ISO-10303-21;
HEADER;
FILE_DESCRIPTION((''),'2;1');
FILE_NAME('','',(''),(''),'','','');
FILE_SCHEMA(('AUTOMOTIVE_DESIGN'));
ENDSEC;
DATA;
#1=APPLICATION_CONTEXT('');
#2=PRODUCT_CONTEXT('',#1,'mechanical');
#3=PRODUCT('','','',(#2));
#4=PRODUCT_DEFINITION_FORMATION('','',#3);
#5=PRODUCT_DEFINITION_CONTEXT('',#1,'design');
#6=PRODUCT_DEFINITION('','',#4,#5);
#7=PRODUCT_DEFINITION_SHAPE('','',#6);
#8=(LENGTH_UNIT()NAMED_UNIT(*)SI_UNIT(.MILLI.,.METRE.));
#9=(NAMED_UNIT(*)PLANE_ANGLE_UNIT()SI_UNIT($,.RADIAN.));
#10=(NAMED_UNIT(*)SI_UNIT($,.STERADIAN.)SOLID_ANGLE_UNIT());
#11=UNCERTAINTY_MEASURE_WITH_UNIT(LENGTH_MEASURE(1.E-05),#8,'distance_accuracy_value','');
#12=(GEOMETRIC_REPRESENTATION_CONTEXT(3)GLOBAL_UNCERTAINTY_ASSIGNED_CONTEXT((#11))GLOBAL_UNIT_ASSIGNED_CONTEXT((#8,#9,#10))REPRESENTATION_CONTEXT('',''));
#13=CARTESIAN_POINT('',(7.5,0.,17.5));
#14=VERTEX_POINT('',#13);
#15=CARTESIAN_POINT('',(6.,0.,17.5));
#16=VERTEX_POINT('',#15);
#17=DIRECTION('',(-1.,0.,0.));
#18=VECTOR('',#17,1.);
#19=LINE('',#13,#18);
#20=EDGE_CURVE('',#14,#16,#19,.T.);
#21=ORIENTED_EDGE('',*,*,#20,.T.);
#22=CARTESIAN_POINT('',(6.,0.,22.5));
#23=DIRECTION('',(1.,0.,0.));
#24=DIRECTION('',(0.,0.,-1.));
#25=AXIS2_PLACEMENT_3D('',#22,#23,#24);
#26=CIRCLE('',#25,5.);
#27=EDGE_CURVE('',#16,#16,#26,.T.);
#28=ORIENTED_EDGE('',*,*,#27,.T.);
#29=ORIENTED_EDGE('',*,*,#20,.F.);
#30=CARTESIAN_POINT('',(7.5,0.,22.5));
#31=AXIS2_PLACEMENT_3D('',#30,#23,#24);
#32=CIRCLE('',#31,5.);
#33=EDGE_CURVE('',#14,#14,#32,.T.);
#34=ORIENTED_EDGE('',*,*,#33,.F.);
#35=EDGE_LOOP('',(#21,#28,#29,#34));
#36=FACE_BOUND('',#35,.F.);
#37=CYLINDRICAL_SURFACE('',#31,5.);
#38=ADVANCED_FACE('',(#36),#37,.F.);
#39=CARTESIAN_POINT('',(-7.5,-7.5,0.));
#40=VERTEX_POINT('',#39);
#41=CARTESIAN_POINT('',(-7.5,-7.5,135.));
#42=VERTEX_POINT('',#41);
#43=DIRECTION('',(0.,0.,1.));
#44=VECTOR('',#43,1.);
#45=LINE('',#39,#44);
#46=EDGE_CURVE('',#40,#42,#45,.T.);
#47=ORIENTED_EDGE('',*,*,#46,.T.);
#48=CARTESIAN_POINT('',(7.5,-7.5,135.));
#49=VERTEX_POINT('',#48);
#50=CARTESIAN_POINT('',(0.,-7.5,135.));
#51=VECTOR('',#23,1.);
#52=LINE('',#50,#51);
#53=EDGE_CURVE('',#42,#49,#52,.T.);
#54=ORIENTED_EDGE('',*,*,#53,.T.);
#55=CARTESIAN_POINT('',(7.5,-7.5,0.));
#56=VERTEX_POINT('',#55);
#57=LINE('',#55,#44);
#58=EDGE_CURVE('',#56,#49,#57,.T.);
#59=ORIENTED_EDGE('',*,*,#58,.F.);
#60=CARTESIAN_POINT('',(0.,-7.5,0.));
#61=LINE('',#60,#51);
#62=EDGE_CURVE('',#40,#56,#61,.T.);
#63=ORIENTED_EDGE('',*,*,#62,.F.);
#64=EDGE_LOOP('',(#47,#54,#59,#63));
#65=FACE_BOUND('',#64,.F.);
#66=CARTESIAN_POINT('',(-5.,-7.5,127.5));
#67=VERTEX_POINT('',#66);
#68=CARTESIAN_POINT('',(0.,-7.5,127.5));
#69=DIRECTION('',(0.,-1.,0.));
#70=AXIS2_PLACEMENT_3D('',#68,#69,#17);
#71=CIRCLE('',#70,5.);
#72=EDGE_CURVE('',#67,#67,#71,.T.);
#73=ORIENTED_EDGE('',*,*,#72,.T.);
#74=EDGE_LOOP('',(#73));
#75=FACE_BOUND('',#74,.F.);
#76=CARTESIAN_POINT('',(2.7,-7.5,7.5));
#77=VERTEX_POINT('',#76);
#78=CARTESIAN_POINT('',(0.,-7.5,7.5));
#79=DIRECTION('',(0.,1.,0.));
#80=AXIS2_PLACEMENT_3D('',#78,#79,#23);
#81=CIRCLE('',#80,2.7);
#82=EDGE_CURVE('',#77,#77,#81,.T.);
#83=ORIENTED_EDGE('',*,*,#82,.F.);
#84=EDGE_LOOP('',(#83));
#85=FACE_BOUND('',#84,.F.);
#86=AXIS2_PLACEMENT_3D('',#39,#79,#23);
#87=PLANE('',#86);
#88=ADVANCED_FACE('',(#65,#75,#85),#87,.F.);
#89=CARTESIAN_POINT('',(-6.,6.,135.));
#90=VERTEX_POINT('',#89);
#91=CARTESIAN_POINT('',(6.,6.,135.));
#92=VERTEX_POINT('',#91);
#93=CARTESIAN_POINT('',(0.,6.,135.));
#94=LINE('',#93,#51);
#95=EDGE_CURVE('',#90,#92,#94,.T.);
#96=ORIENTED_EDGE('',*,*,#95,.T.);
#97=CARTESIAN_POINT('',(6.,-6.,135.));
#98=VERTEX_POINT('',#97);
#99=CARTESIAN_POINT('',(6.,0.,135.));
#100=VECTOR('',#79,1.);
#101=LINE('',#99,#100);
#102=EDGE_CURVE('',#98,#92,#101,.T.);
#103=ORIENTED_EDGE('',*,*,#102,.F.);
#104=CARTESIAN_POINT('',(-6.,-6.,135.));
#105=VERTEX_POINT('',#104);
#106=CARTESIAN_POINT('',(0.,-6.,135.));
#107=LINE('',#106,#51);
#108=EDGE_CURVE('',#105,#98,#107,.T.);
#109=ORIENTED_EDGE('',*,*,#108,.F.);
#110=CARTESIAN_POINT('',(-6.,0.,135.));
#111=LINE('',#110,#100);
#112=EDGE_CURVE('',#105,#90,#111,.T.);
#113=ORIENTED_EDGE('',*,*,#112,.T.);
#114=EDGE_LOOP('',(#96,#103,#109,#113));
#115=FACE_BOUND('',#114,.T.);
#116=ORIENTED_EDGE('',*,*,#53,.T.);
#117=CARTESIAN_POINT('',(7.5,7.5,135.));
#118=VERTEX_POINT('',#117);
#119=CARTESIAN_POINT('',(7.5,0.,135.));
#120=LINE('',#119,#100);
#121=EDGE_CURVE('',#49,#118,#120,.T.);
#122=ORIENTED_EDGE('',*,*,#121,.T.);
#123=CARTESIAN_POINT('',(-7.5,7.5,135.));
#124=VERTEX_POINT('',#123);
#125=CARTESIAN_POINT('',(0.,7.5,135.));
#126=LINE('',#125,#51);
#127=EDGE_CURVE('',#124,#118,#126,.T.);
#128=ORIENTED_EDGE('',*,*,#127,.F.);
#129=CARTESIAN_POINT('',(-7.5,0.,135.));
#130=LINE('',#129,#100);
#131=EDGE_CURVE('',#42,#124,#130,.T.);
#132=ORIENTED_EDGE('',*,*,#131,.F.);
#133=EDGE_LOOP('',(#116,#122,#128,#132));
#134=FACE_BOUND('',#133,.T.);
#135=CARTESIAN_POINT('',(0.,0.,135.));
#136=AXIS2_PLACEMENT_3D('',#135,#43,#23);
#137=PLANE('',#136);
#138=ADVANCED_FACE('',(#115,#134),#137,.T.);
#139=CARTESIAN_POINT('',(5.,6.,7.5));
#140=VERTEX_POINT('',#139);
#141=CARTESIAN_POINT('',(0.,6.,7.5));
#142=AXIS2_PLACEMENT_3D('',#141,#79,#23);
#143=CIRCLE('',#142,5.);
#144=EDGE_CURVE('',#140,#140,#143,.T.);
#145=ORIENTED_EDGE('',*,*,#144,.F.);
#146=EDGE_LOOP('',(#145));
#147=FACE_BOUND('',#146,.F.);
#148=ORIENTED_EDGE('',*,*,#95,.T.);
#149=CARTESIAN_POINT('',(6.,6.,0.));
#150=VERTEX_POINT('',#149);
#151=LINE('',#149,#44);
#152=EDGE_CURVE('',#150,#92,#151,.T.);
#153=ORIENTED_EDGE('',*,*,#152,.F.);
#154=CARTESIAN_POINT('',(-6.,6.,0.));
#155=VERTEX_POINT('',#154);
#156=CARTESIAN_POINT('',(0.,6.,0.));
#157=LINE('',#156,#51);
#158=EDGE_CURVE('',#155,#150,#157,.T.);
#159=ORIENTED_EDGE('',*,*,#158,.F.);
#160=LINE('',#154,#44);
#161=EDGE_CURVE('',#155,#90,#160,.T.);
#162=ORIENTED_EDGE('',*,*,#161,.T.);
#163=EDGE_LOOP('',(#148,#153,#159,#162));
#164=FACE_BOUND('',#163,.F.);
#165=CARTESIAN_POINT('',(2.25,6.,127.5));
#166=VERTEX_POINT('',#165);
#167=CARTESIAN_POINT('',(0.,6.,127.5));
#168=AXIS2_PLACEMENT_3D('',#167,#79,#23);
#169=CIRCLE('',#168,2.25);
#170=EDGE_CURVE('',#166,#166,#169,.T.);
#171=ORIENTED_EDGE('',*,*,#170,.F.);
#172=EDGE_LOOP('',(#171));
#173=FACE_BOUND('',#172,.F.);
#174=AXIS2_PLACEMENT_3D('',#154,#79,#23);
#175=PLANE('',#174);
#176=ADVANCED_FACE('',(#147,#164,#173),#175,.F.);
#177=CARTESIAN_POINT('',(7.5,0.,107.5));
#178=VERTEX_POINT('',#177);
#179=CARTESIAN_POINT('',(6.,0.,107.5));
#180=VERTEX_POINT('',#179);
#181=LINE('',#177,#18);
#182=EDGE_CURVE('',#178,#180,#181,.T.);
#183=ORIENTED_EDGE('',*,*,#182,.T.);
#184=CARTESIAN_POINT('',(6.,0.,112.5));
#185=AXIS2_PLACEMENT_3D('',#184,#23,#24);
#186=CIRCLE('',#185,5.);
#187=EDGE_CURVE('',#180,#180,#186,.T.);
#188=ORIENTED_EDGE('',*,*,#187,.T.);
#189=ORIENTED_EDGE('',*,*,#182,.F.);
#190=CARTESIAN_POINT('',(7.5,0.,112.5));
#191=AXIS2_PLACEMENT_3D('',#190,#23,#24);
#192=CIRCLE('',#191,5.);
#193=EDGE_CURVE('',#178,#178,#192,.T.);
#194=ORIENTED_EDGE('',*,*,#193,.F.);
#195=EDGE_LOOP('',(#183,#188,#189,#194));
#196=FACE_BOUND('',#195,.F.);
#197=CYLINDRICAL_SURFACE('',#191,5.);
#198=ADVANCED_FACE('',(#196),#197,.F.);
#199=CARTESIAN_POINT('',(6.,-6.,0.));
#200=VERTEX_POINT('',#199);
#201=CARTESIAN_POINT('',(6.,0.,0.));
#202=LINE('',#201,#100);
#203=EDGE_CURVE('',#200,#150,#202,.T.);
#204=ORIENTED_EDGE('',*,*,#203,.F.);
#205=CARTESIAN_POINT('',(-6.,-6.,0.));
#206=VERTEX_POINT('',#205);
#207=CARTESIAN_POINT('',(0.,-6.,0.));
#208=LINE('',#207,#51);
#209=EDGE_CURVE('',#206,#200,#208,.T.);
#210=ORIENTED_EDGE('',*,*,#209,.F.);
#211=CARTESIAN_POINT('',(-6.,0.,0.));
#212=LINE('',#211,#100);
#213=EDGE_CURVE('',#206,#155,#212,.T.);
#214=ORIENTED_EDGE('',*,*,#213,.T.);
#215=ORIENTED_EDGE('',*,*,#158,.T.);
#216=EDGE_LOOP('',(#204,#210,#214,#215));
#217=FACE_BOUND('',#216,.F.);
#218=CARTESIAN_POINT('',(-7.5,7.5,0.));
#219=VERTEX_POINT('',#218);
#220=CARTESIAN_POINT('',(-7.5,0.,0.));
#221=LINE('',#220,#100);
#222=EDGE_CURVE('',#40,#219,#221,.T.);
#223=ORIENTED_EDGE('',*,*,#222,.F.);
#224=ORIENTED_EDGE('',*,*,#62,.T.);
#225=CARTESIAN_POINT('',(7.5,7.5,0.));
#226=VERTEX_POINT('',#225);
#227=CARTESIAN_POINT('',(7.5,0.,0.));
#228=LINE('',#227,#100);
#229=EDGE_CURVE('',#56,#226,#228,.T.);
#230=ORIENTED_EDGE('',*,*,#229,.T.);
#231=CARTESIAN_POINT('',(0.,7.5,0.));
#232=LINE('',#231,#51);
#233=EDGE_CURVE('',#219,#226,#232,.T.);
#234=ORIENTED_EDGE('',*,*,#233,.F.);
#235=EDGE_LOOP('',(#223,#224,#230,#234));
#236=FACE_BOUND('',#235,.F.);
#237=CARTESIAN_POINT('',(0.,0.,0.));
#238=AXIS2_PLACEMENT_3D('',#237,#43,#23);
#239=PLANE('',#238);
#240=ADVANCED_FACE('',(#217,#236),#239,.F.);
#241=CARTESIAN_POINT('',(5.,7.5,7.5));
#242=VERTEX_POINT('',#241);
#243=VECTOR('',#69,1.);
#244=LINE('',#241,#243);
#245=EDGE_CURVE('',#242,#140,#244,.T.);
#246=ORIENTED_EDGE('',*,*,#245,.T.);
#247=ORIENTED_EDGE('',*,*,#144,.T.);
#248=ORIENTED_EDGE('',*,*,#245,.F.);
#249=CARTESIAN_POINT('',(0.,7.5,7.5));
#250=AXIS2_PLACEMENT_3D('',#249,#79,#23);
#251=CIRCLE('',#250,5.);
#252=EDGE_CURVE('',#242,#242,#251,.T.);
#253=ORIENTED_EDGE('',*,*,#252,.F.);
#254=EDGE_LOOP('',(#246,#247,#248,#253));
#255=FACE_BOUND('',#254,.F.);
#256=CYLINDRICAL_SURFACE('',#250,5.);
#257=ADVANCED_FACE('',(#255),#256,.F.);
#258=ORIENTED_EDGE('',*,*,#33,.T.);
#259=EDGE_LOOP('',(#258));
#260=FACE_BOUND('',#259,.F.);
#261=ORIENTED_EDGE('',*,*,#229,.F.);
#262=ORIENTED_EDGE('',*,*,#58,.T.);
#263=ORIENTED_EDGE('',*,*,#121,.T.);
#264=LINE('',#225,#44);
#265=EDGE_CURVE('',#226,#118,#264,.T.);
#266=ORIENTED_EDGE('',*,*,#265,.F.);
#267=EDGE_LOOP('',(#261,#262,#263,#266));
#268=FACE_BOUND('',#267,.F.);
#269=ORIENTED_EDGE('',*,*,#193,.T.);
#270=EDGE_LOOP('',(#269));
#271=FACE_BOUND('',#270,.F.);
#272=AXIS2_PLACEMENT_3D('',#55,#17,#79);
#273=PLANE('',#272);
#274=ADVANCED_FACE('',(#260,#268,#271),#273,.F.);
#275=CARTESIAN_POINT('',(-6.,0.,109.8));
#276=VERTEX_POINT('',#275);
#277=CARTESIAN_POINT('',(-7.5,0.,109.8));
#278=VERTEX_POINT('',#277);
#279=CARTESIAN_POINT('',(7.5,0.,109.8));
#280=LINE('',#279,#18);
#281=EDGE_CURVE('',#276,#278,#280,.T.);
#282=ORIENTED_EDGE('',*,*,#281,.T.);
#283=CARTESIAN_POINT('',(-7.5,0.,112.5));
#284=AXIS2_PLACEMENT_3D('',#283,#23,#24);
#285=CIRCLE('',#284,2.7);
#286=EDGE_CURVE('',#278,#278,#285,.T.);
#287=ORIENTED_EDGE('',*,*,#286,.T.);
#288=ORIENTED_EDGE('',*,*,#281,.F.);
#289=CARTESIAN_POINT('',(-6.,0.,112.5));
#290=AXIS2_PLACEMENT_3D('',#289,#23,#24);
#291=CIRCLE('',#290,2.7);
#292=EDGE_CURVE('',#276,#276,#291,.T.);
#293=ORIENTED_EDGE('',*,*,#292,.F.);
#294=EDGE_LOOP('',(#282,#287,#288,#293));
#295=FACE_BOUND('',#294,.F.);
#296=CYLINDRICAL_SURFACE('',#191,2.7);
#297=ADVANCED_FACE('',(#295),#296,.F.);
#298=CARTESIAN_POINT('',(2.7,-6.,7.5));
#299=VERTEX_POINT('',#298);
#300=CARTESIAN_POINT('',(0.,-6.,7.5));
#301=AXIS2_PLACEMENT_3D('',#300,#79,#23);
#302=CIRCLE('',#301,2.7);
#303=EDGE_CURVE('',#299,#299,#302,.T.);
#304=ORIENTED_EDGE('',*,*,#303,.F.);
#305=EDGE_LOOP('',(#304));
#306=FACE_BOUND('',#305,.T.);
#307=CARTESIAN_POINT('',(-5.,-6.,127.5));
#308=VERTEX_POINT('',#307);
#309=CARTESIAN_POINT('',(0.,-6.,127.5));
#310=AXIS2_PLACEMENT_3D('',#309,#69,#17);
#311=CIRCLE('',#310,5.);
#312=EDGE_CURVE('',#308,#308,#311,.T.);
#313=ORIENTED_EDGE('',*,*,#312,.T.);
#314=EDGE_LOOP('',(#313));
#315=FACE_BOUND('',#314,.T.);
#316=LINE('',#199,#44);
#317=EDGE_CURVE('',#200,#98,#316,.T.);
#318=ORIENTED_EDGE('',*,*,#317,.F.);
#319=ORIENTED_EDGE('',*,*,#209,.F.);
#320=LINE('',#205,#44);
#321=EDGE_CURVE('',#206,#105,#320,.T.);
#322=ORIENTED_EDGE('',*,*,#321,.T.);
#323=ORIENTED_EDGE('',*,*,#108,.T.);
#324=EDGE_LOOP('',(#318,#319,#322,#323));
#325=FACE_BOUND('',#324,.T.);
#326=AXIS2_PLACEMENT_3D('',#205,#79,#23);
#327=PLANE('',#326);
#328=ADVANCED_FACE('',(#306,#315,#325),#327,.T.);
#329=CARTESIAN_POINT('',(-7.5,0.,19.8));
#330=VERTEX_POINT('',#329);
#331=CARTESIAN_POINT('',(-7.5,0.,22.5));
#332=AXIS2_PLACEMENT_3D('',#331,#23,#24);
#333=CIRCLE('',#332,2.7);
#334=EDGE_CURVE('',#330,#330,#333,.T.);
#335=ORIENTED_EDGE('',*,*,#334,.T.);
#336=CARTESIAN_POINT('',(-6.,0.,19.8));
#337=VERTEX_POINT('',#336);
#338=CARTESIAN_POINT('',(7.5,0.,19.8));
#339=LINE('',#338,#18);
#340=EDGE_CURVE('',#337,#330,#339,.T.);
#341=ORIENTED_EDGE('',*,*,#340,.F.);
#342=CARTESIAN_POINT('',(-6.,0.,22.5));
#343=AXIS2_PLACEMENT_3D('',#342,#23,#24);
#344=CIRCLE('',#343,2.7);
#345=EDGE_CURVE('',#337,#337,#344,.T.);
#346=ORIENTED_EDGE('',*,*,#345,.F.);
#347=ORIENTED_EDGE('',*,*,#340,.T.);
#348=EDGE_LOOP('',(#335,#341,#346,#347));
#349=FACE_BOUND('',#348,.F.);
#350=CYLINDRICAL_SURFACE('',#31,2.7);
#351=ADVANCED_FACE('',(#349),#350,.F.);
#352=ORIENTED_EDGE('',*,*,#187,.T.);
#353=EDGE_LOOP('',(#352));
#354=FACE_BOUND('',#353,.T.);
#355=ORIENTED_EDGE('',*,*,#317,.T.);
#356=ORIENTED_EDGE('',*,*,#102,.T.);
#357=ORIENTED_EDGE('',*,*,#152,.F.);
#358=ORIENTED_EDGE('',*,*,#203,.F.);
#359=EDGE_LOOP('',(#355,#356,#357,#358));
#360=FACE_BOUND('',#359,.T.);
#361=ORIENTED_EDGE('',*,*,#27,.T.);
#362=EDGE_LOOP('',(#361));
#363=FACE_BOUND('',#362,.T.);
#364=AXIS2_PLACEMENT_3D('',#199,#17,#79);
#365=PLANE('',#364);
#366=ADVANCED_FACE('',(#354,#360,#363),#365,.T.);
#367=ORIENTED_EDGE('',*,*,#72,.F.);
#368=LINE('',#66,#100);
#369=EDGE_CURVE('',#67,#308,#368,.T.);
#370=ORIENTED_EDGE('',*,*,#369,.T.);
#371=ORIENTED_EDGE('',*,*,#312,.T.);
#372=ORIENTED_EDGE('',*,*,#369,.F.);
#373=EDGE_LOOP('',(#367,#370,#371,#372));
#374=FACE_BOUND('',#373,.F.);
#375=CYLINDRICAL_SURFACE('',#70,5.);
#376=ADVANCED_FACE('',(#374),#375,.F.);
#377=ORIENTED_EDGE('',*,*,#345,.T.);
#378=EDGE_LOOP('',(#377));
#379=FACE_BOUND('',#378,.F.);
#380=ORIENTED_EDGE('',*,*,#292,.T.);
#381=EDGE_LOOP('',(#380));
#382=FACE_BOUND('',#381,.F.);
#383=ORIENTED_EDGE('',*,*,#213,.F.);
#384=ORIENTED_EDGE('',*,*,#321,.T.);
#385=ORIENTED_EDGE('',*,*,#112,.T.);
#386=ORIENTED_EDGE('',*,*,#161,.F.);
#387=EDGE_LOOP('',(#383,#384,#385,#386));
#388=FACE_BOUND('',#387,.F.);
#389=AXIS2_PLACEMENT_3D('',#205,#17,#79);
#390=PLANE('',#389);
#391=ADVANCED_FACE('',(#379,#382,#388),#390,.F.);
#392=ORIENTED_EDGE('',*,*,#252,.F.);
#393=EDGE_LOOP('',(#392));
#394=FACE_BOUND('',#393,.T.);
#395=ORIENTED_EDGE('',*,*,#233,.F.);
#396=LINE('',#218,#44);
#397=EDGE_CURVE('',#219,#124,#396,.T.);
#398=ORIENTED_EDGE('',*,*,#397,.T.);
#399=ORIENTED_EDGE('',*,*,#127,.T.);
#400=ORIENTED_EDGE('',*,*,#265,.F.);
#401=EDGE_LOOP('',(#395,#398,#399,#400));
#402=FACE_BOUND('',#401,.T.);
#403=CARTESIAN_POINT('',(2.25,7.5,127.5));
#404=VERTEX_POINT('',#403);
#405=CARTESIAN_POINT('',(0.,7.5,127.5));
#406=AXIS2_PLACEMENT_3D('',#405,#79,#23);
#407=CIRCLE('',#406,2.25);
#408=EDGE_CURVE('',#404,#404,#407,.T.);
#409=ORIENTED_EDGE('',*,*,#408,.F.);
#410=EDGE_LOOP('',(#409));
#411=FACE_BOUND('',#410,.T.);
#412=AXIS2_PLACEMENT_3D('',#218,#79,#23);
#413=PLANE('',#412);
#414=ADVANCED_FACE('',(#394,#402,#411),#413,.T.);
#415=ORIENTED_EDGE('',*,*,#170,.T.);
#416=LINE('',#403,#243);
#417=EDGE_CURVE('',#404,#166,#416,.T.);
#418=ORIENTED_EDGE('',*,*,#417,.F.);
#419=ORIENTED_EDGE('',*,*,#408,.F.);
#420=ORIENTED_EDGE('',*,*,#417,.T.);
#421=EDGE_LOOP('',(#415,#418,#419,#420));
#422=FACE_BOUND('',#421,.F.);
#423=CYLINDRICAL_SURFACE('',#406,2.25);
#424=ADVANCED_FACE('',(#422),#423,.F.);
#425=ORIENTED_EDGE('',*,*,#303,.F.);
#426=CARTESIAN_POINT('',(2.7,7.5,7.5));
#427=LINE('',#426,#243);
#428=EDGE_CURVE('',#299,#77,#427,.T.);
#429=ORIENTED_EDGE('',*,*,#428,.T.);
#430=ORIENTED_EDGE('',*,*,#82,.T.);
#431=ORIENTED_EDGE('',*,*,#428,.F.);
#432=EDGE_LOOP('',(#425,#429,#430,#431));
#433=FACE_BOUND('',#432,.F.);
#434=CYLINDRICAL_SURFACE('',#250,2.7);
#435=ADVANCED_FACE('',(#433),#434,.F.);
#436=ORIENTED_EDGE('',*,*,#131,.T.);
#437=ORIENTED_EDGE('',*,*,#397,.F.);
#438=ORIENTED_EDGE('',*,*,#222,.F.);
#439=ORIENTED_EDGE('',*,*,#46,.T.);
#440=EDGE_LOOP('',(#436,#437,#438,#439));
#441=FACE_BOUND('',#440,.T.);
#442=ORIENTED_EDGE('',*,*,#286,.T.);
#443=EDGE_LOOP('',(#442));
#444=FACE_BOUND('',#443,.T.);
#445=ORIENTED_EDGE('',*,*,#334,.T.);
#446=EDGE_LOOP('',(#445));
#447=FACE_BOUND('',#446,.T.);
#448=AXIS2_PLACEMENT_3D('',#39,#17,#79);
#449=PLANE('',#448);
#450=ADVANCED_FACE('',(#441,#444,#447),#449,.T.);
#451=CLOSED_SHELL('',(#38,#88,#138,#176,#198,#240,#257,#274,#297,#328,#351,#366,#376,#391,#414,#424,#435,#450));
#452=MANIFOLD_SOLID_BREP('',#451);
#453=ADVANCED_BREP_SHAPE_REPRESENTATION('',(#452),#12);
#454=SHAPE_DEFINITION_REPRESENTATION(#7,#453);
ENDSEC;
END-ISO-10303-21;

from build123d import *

# Parameters (mm, degrees)
SKETCH_1_W          = 15
SKETCH_1_H          = 15
SKETCH_1_W_2        = 12
SKETCH_1_H_2        = 12
EXTRUDE_1_DEPTH     = 135
SKETCH_2_R          = 2.7
CUT_EXTRUDE_1_DEPTH = 25
SKETCH_3_R          = 2.7
SKETCH_3_R_2        = 2.25
CUT_EXTRUDE_2_DEPTH = 25
SKETCH_4_R          = 5
CUT_EXTRUDE_3_DEPTH = 10
SKETCH_5_R          = 5
CUT_EXTRUDE_4_DEPTH = 10
SKETCH_6_R          = 5
CUT_EXTRUDE_5_DEPTH = 10


with BuildPart() as part:
    # ｽｹｯﾁ1 → ﾎﾞｽ - 押し出し1 (new body)
    with BuildSketch(Plane.XY):
        Rectangle(SKETCH_1_W, SKETCH_1_H)
        Rectangle(SKETCH_1_W_2, SKETCH_1_H_2, mode=Mode.SUBTRACT)
    extrude(amount=EXTRUDE_1_DEPTH)

    # ｽｹｯﾁ2 → ｶｯﾄ - 押し出し1 (cut)
    with BuildSketch(Plane(origin=(7.5, 0, 0), x_dir=(0, 0, -1), z_dir=(1, 0, 0))):
        with Locations((-112.5, 0)):
            Circle(SKETCH_2_R)
        with Locations((-22.5, 0)):
            Circle(SKETCH_2_R)
    extrude(amount=-CUT_EXTRUDE_1_DEPTH, mode=Mode.SUBTRACT)

    # ｽｹｯﾁ3 → ｶｯﾄ - 押し出し2 (cut)
    with BuildSketch(Plane(origin=(0, 7.5, 0), x_dir=(1, 0, 0), z_dir=(0, 1, 0))):
        with Locations((0, -7.5)):
            Circle(SKETCH_3_R)
        with Locations((0, -127.5)):
            Circle(SKETCH_3_R_2)
    extrude(amount=-CUT_EXTRUDE_2_DEPTH, mode=Mode.SUBTRACT)

    # ｽｹｯﾁ4 → ｶｯﾄ - 押し出し3 (cut)
    with BuildSketch(Plane(origin=(0, 7.5, 0), x_dir=(1, 0, 0), z_dir=(0, 1, 0))):
        with Locations((0, -7.5)):
            Circle(SKETCH_4_R)
    extrude(amount=-CUT_EXTRUDE_3_DEPTH, mode=Mode.SUBTRACT)

    # ｽｹｯﾁ5 → ｶｯﾄ - 押し出し4 (cut)
    with BuildSketch(Plane(origin=(7.5, 0, 0), x_dir=(0, 0, -1), z_dir=(1, 0, 0))):
        with Locations((-22.5, 0)):
            Circle(SKETCH_5_R)
        with Locations((-112.5, 0)):
            Circle(SKETCH_5_R)
    extrude(amount=-CUT_EXTRUDE_4_DEPTH, mode=Mode.SUBTRACT)

    # ｽｹｯﾁ6 → ｶｯﾄ - 押し出し5 (cut)
    with BuildSketch(Plane(origin=(0, -7.5, 0), x_dir=(-1, 0, 0), z_dir=(0, -1, 0))):
        with Locations((0, -127.5)):
            Circle(SKETCH_6_R)
    extrude(amount=-CUT_EXTRUDE_5_DEPTH, mode=Mode.SUBTRACT)


solid = part.part
